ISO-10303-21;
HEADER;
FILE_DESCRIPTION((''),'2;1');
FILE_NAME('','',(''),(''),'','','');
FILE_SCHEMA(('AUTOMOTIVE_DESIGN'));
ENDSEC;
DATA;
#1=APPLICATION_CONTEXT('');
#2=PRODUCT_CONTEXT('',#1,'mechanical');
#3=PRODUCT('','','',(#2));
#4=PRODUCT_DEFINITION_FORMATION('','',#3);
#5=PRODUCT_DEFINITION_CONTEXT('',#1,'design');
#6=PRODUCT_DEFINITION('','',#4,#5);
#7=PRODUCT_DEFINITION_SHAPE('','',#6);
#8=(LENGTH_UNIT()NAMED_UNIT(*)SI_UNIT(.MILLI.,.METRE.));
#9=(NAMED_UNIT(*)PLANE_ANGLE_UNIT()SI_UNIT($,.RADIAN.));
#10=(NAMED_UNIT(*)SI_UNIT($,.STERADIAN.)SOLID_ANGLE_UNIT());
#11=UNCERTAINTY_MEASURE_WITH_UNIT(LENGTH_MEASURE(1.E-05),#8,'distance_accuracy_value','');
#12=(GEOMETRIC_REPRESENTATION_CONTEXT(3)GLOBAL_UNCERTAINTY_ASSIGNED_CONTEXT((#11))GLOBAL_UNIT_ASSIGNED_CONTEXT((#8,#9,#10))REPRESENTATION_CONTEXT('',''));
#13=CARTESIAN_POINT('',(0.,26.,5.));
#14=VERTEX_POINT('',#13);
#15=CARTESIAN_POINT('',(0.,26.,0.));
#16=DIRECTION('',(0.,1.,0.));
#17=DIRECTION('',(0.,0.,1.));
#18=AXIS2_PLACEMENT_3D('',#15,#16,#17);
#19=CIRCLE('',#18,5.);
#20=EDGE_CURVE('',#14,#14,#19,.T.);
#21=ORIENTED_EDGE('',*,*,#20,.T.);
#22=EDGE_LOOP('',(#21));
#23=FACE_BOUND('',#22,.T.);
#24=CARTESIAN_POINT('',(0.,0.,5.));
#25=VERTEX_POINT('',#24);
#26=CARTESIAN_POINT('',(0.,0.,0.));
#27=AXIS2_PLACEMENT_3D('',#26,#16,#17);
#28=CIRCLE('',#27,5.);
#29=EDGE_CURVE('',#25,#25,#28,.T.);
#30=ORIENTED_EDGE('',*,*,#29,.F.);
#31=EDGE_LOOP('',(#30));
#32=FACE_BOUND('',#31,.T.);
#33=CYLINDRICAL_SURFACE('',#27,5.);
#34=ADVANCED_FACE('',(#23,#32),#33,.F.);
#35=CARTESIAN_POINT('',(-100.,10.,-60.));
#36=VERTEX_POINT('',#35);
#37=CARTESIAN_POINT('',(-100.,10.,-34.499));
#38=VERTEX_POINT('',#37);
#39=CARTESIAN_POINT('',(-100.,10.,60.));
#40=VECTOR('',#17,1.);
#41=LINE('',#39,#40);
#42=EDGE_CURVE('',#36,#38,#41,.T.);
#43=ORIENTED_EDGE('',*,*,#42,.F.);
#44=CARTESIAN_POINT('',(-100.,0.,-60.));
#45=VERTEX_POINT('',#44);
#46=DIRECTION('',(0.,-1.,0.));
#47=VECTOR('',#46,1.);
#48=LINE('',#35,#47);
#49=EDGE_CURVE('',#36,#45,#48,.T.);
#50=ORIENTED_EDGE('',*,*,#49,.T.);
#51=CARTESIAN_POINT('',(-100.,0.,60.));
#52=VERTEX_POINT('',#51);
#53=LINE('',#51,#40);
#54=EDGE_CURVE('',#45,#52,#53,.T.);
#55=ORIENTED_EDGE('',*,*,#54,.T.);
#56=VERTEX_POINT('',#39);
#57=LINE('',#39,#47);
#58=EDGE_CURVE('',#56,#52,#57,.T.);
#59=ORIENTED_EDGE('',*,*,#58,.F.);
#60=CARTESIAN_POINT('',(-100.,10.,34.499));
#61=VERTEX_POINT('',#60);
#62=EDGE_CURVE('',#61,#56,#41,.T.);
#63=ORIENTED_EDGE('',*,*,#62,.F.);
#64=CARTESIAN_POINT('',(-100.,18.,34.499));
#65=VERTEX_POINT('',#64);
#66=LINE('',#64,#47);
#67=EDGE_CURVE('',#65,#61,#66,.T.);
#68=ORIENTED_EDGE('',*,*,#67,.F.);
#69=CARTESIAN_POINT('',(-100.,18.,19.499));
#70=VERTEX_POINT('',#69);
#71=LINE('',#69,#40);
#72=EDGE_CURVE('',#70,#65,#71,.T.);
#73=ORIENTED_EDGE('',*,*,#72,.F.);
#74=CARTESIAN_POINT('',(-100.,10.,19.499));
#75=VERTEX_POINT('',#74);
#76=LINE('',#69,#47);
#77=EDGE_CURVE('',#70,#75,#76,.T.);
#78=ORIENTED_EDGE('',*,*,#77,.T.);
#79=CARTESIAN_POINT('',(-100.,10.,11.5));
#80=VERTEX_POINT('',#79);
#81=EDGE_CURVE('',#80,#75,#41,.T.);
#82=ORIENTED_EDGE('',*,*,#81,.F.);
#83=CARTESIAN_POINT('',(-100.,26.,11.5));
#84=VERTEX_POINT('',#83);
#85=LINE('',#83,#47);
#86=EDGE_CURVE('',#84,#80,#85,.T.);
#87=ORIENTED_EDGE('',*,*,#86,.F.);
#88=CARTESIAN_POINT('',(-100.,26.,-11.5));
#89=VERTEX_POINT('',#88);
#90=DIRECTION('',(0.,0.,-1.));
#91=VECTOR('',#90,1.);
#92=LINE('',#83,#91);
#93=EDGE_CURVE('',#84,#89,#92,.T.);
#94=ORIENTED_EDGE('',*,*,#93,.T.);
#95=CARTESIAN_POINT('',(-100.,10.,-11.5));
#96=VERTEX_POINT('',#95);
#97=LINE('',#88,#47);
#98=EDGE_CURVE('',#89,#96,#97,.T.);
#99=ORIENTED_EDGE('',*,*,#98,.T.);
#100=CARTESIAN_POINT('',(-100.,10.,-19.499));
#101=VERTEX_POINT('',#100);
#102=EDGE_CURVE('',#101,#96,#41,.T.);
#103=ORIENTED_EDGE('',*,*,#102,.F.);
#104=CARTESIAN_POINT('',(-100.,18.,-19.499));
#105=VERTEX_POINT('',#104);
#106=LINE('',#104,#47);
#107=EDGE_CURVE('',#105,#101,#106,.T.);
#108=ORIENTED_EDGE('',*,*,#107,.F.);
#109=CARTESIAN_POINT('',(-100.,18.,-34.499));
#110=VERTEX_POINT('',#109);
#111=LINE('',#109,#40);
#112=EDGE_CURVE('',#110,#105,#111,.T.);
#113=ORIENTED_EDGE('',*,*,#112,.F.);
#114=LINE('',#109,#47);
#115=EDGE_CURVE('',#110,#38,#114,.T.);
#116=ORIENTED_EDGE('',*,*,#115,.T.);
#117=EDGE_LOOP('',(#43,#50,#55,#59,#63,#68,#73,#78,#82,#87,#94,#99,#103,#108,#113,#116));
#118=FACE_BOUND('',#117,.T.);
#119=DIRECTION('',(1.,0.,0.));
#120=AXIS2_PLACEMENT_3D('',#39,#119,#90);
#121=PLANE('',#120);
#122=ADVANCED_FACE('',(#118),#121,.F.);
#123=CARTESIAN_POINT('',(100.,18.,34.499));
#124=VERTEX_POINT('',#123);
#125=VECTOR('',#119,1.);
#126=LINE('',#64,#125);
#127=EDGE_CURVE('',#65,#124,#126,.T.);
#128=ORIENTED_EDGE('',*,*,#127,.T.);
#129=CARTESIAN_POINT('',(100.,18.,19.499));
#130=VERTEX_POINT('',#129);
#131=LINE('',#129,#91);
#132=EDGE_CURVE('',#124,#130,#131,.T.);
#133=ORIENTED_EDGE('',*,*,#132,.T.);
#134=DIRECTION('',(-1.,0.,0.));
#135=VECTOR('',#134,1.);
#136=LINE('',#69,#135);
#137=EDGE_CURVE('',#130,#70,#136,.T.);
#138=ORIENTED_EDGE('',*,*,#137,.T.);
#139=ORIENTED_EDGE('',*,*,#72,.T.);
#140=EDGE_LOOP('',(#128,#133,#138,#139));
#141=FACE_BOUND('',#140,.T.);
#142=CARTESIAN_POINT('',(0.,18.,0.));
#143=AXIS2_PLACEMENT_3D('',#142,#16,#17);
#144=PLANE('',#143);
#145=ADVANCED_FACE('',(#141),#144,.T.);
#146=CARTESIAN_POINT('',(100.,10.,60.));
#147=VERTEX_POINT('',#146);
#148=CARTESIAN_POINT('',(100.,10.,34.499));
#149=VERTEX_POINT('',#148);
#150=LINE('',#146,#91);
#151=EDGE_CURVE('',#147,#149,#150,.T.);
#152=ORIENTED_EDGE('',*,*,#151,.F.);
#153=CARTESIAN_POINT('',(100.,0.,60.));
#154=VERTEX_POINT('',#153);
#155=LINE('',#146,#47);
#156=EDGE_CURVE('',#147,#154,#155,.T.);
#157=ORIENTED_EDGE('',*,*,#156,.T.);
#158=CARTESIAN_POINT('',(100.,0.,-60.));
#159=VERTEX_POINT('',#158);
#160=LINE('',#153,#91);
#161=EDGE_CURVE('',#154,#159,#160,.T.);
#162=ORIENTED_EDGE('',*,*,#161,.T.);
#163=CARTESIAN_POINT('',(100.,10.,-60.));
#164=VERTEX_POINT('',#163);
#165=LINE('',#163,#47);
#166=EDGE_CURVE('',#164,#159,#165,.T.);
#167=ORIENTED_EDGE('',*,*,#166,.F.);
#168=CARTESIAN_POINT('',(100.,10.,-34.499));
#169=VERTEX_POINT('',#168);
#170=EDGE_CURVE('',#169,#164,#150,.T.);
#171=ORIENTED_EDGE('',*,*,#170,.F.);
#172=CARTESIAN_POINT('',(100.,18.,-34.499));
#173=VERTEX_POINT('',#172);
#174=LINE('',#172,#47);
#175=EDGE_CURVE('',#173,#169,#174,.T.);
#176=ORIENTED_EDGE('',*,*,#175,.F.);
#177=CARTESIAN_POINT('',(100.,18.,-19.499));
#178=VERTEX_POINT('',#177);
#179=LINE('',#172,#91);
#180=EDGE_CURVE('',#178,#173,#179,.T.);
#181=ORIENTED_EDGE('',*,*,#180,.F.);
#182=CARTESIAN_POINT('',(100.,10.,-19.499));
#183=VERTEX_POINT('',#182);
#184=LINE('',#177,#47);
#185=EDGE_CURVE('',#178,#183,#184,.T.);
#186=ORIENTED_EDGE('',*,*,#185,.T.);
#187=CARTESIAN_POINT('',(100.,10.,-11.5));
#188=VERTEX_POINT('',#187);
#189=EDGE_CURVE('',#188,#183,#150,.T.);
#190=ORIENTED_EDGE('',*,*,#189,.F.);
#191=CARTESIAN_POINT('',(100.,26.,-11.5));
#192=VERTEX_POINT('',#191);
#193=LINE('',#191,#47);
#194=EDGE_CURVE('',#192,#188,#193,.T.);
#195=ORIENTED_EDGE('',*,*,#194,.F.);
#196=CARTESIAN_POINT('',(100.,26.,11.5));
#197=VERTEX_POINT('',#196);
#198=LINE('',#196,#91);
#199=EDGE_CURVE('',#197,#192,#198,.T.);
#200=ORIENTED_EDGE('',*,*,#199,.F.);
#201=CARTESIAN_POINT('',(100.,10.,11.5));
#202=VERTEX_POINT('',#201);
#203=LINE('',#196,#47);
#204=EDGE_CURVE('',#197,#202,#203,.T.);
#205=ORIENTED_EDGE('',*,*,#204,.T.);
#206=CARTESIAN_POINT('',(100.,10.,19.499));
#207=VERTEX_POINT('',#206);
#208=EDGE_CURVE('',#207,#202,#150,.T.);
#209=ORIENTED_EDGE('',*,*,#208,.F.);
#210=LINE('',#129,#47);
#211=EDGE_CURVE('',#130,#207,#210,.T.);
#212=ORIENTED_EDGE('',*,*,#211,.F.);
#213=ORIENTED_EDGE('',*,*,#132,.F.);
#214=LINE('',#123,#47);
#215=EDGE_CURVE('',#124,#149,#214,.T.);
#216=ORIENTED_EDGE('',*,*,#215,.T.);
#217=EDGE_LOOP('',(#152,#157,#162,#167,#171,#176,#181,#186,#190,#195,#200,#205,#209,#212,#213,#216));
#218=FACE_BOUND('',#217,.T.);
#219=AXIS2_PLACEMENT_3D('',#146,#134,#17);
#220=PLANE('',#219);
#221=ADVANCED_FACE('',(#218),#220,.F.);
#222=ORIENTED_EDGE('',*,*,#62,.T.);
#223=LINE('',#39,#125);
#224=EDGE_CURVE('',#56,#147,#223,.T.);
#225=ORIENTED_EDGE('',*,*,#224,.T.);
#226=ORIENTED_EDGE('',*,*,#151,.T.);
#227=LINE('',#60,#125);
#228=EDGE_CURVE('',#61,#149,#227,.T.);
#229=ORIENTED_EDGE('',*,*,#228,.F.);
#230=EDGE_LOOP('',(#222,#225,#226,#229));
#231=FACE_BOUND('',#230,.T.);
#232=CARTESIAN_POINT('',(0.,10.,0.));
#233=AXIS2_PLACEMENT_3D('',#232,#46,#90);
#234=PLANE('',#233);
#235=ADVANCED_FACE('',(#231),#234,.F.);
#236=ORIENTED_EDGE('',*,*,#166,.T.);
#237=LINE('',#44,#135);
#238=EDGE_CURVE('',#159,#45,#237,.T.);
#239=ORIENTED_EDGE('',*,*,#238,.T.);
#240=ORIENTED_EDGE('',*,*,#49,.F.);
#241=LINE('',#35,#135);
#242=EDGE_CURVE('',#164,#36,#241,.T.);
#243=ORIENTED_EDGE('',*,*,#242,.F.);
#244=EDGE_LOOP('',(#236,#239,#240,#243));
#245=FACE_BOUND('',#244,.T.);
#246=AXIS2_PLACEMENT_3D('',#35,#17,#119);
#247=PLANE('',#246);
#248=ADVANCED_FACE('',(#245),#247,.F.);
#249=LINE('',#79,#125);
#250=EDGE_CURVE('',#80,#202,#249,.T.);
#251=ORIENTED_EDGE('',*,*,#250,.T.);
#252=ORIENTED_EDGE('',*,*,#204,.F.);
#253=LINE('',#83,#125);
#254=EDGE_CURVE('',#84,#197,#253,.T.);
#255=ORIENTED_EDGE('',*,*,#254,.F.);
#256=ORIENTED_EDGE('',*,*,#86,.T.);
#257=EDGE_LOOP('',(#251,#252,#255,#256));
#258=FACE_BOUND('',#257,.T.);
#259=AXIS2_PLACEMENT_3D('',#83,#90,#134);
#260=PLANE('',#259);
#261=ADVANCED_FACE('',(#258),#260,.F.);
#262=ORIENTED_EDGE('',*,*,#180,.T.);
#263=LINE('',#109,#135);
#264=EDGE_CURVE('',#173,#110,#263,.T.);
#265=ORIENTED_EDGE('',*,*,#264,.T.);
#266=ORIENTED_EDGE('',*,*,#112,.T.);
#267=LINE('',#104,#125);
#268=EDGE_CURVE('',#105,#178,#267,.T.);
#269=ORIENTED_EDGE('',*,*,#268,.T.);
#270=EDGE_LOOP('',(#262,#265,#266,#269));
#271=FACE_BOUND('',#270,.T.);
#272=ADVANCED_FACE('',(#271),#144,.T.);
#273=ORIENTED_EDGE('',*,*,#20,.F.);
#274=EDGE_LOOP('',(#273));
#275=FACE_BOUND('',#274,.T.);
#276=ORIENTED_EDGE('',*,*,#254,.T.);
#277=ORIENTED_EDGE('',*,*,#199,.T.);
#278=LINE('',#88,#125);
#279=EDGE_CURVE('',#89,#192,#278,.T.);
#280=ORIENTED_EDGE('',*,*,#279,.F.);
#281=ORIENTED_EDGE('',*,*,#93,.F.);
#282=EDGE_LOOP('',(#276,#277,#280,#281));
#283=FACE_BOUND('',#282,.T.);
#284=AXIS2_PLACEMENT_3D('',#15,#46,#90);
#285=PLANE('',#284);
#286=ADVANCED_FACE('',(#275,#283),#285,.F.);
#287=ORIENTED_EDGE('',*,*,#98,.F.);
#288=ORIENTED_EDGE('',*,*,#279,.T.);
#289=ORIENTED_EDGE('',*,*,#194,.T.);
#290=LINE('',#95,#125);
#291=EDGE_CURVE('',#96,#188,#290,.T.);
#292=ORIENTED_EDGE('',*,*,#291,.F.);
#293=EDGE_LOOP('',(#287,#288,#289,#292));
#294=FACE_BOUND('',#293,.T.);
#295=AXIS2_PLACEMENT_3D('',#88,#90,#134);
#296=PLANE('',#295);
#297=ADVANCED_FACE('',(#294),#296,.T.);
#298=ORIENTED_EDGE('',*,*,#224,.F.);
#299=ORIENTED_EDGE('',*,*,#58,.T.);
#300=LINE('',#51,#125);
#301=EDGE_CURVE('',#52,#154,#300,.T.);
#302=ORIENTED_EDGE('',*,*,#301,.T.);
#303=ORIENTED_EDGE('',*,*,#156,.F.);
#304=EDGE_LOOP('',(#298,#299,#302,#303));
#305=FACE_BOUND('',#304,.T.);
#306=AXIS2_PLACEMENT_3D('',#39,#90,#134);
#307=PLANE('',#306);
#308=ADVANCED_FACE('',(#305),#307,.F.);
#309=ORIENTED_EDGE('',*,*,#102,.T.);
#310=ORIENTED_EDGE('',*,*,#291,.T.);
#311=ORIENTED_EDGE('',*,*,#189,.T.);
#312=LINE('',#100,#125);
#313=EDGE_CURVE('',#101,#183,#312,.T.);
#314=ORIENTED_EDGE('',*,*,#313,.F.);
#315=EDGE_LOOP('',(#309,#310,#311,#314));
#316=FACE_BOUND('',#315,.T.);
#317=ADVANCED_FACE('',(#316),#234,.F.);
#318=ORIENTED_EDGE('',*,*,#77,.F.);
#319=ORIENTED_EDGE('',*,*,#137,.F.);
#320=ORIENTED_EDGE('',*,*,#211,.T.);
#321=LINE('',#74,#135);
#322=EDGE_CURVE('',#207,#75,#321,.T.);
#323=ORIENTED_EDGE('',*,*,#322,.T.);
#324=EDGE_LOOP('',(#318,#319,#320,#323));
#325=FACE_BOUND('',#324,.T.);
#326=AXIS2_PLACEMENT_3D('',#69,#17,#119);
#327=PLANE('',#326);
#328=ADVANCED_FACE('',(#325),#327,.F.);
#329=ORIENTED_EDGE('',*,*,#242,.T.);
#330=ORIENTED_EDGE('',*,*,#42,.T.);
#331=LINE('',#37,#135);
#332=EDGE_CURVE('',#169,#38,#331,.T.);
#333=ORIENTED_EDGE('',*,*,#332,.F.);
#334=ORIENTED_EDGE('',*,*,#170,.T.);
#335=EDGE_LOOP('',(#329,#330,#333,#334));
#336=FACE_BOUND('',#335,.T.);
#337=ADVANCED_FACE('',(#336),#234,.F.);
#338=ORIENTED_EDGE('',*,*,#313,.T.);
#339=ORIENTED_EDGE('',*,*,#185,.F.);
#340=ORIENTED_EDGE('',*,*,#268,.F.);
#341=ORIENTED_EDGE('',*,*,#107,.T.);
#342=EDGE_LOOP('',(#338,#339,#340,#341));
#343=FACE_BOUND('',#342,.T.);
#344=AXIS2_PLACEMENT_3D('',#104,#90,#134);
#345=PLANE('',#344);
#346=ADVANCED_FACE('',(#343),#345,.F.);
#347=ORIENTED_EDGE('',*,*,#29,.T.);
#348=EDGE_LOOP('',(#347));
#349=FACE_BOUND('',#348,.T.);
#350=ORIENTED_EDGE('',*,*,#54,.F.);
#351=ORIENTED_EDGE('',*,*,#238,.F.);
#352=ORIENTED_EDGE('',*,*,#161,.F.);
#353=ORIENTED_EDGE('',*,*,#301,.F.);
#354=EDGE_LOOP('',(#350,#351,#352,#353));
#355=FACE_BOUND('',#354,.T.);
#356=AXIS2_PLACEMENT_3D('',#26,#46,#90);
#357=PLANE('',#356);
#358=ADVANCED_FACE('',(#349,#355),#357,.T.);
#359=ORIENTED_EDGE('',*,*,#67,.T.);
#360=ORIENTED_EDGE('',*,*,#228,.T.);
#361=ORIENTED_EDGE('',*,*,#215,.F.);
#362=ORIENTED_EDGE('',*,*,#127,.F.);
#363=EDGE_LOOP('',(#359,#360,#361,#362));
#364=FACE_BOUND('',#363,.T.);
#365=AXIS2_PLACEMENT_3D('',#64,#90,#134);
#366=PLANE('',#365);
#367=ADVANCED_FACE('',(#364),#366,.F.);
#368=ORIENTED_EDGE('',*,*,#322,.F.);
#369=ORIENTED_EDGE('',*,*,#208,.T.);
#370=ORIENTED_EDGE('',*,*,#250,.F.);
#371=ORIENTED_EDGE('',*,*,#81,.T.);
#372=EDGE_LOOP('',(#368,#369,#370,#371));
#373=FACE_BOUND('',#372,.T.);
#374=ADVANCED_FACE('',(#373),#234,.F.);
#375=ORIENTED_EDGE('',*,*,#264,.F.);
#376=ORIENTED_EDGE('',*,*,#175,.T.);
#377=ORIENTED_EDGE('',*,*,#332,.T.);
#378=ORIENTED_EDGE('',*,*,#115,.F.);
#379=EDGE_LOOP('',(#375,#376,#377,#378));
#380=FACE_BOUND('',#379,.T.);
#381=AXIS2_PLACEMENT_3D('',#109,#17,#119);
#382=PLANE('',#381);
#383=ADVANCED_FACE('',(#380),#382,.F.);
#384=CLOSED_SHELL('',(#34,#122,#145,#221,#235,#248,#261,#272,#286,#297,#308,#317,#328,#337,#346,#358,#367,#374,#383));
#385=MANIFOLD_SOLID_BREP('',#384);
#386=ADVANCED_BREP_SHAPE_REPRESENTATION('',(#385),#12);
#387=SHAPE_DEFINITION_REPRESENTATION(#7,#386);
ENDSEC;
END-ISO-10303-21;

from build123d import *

# Parameters (mm, degrees)
SKETCH1_W               = 200
SKETCH1_H               = 120
BOSS_EXTRUDE1_DEPTH     = 10
SKETCH2_W               = 200
SKETCH2_H               = 15
BOSS_EXTRUDE2_DEPTH     = 8
SKETCH3_R               = 5
CUT_EXTRUDE1_DEPTH      = 118.046999107
SKETCH4_W               = 200
SKETCH4_H               = 23
BOSS_EXTRUDE4_DEPTH     = 16
CUT_EXTRUDE2_DEPTH      = 118.711511756
CUT_EXTRUDE2_DEPTH_BACK = 118.711511756
SKETCH3_2_R             = 5


with BuildPart() as part:
    # Sketch1 → Boss-Extrude1 (new body)
    with BuildSketch(Plane(origin=(0, 0, 0), x_dir=(1, 0, 0), z_dir=(0, 1, 0))):
        Rectangle(SKETCH1_W, SKETCH1_H)
    extrude(amount=BOSS_EXTRUDE1_DEPTH)

    # Sketch2 → Boss-Extrude2 (add)
    with BuildSketch(Plane(origin=(0, 10, 0), x_dir=(1, 0, 0), z_dir=(0, 1, 0))):
        with Locations((0, 26.999)):
            Rectangle(SKETCH2_W, SKETCH2_H)
        with Locations((0, -26.999)):
            Rectangle(SKETCH2_W, SKETCH2_H)
    extrude(amount=BOSS_EXTRUDE2_DEPTH)

    # Sketch3 → Cut-Extrude1 (cut, through all)
    with BuildSketch(Plane(origin=(0, 10, 0), x_dir=(1, 0, 0), z_dir=(0, 1, 0))):
        Circle(SKETCH3_R)
    extrude(amount=-CUT_EXTRUDE1_DEPTH, mode=Mode.SUBTRACT)

    # Sketch4 → Boss-Extrude4 (add)
    with BuildSketch(Plane(origin=(0, 10, 0), x_dir=(1, 0, 0), z_dir=(0, 1, 0))):
        Rectangle(SKETCH4_W, SKETCH4_H)
    extrude(amount=BOSS_EXTRUDE4_DEPTH)

    # Sketch3<2> → Cut-Extrude2 (cut, two sides: drawn at the far end of the back side and taken through both)
    with BuildSketch(Plane(origin=(0, 10, 0), x_dir=(1, 0, 0), z_dir=(0, 1, 0)).offset(-CUT_EXTRUDE2_DEPTH_BACK)):
        Circle(SKETCH3_2_R)
    extrude(amount=CUT_EXTRUDE2_DEPTH + CUT_EXTRUDE2_DEPTH_BACK, mode=Mode.SUBTRACT)


solid = part.part
